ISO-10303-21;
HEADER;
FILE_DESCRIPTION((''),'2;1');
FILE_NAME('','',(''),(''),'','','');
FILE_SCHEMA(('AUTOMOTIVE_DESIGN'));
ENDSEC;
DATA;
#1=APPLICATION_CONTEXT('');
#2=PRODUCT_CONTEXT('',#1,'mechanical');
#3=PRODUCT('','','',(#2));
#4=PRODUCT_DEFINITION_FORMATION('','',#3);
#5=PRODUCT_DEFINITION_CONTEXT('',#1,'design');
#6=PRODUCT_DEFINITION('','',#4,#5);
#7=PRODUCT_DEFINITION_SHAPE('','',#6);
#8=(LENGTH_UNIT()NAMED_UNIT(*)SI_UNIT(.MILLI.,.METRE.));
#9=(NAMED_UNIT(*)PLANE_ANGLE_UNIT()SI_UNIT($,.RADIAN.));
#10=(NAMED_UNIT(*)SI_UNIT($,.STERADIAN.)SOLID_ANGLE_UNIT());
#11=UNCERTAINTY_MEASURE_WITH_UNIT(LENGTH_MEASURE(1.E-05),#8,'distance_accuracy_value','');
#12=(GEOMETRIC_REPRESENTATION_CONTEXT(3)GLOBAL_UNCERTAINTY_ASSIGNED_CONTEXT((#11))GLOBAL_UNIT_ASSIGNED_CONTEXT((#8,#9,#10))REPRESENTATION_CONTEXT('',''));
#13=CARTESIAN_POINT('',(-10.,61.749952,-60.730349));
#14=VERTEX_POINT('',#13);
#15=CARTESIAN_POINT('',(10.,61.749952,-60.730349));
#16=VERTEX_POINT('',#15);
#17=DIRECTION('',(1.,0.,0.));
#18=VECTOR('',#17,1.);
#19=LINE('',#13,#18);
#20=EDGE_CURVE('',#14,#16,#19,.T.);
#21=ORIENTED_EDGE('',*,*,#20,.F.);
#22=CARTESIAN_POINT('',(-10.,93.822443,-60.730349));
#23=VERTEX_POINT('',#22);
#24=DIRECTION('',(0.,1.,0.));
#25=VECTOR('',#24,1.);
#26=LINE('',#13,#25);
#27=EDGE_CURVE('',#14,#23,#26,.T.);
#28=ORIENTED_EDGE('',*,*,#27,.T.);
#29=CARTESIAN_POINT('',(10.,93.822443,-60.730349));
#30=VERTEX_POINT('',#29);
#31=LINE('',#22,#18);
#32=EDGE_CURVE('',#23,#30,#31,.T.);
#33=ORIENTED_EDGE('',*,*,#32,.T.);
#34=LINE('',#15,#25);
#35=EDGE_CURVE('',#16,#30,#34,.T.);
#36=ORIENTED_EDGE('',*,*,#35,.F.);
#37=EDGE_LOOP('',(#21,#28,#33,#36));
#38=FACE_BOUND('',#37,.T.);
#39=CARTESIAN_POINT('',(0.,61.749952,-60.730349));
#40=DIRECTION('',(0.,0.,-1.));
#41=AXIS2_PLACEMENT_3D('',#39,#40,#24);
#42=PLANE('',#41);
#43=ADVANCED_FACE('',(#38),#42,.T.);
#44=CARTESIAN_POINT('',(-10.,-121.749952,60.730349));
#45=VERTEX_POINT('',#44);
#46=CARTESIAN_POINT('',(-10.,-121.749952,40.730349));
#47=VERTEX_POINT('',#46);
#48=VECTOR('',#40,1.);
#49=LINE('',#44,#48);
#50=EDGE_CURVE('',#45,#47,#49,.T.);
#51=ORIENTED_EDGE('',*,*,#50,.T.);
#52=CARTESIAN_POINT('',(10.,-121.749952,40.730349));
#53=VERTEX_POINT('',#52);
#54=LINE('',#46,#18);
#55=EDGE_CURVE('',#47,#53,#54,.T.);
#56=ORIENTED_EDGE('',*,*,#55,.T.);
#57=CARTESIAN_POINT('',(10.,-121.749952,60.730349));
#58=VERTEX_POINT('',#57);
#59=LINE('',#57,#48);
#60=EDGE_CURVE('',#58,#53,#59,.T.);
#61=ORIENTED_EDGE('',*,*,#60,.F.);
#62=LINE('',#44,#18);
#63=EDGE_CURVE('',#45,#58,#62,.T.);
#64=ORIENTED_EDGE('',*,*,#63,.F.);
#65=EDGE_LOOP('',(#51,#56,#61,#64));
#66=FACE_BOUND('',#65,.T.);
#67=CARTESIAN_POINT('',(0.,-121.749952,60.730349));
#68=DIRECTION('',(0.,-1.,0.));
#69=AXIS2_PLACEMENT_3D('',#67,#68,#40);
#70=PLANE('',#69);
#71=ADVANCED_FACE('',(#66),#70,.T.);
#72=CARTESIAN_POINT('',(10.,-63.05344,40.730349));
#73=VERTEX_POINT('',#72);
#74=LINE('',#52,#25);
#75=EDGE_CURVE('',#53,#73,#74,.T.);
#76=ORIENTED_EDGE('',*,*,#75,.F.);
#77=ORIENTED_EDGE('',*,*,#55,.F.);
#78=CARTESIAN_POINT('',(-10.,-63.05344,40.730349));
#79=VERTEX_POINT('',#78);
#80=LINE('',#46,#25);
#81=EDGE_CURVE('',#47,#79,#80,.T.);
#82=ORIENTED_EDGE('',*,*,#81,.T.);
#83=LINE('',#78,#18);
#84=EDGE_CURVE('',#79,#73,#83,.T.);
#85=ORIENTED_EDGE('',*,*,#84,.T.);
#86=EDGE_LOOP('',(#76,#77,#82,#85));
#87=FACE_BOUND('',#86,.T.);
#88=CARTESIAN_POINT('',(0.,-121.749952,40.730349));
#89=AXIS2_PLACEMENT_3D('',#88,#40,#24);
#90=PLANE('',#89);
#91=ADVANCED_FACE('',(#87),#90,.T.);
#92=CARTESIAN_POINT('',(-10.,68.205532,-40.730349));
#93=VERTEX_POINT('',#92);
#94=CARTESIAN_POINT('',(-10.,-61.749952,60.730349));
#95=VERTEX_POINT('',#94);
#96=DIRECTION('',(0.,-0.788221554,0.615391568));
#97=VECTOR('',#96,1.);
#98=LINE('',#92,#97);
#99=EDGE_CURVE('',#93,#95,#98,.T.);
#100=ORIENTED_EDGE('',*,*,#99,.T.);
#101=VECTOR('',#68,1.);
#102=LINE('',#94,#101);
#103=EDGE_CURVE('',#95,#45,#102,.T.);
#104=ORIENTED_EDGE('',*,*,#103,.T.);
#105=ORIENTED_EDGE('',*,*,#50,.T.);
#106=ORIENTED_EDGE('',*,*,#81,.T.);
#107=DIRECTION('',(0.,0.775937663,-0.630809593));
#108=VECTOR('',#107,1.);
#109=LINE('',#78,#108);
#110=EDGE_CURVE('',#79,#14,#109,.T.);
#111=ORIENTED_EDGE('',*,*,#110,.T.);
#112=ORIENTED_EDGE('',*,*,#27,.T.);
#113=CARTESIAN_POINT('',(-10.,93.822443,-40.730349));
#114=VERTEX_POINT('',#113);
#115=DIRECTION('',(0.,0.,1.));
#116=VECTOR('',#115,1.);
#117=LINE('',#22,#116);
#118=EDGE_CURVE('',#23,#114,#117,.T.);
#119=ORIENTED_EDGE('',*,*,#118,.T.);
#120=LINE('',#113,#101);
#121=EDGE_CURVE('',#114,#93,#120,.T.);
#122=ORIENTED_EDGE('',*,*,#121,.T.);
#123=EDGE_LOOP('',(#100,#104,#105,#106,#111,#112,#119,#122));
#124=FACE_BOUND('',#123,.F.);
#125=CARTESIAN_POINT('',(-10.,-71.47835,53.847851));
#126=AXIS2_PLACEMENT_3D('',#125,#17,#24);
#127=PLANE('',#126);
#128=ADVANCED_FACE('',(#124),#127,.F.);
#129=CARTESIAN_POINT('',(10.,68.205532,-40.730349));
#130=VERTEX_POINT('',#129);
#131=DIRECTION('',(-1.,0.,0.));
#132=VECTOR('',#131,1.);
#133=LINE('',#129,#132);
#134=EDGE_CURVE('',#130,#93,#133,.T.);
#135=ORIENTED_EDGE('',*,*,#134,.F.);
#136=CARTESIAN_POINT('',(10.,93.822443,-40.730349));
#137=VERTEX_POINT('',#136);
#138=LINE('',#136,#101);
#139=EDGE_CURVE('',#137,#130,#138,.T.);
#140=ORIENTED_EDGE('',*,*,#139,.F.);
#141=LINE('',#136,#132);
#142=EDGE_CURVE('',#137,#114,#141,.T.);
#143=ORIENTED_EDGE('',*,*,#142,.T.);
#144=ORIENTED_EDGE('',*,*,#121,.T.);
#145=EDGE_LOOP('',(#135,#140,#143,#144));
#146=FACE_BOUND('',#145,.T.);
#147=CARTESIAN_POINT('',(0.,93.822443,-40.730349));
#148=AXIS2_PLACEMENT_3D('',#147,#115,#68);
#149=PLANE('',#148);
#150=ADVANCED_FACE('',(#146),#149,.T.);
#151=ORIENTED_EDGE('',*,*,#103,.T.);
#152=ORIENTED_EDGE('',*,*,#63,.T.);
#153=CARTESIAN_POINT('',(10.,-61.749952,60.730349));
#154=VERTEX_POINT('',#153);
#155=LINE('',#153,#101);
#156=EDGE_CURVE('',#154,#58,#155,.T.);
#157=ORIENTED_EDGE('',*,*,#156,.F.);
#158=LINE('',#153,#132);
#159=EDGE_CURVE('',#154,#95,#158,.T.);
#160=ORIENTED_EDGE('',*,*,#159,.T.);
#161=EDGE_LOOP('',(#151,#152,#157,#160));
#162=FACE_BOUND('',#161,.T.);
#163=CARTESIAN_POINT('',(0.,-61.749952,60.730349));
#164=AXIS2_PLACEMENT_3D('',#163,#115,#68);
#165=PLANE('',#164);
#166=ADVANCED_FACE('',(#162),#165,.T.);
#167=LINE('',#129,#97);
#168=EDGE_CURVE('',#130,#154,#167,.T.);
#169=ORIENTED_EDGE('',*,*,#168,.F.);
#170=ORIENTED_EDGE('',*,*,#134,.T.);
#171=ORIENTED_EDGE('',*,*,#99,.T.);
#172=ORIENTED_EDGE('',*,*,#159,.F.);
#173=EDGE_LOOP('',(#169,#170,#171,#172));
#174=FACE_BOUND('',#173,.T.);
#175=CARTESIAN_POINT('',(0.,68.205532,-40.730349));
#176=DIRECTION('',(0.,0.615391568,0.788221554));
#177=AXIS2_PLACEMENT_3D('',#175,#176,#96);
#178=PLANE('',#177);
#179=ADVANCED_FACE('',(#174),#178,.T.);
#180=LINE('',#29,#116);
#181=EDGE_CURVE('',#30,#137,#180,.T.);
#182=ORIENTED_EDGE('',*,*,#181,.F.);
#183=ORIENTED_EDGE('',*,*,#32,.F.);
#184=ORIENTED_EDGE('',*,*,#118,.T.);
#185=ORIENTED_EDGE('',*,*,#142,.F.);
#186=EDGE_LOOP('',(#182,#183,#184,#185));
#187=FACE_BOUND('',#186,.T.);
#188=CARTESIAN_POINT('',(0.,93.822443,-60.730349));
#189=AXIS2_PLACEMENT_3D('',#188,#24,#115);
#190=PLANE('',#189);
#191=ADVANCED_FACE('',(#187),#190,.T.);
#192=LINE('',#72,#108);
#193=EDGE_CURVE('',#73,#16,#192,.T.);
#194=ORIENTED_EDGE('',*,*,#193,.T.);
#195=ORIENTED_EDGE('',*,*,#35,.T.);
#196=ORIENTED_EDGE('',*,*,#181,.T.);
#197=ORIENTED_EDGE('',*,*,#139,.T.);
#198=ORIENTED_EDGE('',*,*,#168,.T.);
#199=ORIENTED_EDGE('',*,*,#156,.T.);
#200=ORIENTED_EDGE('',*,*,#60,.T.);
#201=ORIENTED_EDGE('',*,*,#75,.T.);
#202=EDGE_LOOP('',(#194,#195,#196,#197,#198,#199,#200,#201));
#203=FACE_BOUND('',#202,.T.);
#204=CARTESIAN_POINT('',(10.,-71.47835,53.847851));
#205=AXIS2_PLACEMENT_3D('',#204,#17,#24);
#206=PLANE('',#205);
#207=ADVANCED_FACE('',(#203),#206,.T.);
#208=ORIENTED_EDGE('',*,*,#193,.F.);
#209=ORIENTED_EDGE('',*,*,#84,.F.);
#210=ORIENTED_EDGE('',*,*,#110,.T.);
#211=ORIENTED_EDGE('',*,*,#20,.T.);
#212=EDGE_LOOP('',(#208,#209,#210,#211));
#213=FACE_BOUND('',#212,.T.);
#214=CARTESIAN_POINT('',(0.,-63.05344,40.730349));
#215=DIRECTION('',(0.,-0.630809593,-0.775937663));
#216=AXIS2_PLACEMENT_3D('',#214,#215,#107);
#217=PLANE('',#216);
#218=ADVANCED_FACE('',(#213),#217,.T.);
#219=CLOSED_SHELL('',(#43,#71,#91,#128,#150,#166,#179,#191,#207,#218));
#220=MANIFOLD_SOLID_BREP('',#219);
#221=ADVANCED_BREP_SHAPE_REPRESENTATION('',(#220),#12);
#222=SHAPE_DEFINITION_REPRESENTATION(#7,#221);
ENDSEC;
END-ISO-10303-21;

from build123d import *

# Parameters (mm, degrees)
F1_DEPTH = 10


with BuildPart() as f1:
    # F0 (on Right) → F1 (new body, symmetric)
    with BuildSketch(Plane.YZ):
        Polygon((-61.749952, 60.730349), (-77.786197, 60.730349), (-87.654768, 60.730349), (-63.05344, 40.730349), (-61.749952, 40.730349), align=None)
        Polygon((-63.05344, 40.730349), (-87.654768, 60.730349), (-121.749952, 60.730349), (-121.749952, 40.730349), align=None)
        Polygon((68.205532, -40.730349), (-61.749952, 60.730349), (-61.749952, 40.730349), (-63.05344, 40.730349), (61.749952, -60.730349), (87.654768, -60.730349), (93.822443, -60.730349), (93.822443, -40.730349), align=None)
    extrude(amount=F1_DEPTH, both=True)


solid = f1.part
